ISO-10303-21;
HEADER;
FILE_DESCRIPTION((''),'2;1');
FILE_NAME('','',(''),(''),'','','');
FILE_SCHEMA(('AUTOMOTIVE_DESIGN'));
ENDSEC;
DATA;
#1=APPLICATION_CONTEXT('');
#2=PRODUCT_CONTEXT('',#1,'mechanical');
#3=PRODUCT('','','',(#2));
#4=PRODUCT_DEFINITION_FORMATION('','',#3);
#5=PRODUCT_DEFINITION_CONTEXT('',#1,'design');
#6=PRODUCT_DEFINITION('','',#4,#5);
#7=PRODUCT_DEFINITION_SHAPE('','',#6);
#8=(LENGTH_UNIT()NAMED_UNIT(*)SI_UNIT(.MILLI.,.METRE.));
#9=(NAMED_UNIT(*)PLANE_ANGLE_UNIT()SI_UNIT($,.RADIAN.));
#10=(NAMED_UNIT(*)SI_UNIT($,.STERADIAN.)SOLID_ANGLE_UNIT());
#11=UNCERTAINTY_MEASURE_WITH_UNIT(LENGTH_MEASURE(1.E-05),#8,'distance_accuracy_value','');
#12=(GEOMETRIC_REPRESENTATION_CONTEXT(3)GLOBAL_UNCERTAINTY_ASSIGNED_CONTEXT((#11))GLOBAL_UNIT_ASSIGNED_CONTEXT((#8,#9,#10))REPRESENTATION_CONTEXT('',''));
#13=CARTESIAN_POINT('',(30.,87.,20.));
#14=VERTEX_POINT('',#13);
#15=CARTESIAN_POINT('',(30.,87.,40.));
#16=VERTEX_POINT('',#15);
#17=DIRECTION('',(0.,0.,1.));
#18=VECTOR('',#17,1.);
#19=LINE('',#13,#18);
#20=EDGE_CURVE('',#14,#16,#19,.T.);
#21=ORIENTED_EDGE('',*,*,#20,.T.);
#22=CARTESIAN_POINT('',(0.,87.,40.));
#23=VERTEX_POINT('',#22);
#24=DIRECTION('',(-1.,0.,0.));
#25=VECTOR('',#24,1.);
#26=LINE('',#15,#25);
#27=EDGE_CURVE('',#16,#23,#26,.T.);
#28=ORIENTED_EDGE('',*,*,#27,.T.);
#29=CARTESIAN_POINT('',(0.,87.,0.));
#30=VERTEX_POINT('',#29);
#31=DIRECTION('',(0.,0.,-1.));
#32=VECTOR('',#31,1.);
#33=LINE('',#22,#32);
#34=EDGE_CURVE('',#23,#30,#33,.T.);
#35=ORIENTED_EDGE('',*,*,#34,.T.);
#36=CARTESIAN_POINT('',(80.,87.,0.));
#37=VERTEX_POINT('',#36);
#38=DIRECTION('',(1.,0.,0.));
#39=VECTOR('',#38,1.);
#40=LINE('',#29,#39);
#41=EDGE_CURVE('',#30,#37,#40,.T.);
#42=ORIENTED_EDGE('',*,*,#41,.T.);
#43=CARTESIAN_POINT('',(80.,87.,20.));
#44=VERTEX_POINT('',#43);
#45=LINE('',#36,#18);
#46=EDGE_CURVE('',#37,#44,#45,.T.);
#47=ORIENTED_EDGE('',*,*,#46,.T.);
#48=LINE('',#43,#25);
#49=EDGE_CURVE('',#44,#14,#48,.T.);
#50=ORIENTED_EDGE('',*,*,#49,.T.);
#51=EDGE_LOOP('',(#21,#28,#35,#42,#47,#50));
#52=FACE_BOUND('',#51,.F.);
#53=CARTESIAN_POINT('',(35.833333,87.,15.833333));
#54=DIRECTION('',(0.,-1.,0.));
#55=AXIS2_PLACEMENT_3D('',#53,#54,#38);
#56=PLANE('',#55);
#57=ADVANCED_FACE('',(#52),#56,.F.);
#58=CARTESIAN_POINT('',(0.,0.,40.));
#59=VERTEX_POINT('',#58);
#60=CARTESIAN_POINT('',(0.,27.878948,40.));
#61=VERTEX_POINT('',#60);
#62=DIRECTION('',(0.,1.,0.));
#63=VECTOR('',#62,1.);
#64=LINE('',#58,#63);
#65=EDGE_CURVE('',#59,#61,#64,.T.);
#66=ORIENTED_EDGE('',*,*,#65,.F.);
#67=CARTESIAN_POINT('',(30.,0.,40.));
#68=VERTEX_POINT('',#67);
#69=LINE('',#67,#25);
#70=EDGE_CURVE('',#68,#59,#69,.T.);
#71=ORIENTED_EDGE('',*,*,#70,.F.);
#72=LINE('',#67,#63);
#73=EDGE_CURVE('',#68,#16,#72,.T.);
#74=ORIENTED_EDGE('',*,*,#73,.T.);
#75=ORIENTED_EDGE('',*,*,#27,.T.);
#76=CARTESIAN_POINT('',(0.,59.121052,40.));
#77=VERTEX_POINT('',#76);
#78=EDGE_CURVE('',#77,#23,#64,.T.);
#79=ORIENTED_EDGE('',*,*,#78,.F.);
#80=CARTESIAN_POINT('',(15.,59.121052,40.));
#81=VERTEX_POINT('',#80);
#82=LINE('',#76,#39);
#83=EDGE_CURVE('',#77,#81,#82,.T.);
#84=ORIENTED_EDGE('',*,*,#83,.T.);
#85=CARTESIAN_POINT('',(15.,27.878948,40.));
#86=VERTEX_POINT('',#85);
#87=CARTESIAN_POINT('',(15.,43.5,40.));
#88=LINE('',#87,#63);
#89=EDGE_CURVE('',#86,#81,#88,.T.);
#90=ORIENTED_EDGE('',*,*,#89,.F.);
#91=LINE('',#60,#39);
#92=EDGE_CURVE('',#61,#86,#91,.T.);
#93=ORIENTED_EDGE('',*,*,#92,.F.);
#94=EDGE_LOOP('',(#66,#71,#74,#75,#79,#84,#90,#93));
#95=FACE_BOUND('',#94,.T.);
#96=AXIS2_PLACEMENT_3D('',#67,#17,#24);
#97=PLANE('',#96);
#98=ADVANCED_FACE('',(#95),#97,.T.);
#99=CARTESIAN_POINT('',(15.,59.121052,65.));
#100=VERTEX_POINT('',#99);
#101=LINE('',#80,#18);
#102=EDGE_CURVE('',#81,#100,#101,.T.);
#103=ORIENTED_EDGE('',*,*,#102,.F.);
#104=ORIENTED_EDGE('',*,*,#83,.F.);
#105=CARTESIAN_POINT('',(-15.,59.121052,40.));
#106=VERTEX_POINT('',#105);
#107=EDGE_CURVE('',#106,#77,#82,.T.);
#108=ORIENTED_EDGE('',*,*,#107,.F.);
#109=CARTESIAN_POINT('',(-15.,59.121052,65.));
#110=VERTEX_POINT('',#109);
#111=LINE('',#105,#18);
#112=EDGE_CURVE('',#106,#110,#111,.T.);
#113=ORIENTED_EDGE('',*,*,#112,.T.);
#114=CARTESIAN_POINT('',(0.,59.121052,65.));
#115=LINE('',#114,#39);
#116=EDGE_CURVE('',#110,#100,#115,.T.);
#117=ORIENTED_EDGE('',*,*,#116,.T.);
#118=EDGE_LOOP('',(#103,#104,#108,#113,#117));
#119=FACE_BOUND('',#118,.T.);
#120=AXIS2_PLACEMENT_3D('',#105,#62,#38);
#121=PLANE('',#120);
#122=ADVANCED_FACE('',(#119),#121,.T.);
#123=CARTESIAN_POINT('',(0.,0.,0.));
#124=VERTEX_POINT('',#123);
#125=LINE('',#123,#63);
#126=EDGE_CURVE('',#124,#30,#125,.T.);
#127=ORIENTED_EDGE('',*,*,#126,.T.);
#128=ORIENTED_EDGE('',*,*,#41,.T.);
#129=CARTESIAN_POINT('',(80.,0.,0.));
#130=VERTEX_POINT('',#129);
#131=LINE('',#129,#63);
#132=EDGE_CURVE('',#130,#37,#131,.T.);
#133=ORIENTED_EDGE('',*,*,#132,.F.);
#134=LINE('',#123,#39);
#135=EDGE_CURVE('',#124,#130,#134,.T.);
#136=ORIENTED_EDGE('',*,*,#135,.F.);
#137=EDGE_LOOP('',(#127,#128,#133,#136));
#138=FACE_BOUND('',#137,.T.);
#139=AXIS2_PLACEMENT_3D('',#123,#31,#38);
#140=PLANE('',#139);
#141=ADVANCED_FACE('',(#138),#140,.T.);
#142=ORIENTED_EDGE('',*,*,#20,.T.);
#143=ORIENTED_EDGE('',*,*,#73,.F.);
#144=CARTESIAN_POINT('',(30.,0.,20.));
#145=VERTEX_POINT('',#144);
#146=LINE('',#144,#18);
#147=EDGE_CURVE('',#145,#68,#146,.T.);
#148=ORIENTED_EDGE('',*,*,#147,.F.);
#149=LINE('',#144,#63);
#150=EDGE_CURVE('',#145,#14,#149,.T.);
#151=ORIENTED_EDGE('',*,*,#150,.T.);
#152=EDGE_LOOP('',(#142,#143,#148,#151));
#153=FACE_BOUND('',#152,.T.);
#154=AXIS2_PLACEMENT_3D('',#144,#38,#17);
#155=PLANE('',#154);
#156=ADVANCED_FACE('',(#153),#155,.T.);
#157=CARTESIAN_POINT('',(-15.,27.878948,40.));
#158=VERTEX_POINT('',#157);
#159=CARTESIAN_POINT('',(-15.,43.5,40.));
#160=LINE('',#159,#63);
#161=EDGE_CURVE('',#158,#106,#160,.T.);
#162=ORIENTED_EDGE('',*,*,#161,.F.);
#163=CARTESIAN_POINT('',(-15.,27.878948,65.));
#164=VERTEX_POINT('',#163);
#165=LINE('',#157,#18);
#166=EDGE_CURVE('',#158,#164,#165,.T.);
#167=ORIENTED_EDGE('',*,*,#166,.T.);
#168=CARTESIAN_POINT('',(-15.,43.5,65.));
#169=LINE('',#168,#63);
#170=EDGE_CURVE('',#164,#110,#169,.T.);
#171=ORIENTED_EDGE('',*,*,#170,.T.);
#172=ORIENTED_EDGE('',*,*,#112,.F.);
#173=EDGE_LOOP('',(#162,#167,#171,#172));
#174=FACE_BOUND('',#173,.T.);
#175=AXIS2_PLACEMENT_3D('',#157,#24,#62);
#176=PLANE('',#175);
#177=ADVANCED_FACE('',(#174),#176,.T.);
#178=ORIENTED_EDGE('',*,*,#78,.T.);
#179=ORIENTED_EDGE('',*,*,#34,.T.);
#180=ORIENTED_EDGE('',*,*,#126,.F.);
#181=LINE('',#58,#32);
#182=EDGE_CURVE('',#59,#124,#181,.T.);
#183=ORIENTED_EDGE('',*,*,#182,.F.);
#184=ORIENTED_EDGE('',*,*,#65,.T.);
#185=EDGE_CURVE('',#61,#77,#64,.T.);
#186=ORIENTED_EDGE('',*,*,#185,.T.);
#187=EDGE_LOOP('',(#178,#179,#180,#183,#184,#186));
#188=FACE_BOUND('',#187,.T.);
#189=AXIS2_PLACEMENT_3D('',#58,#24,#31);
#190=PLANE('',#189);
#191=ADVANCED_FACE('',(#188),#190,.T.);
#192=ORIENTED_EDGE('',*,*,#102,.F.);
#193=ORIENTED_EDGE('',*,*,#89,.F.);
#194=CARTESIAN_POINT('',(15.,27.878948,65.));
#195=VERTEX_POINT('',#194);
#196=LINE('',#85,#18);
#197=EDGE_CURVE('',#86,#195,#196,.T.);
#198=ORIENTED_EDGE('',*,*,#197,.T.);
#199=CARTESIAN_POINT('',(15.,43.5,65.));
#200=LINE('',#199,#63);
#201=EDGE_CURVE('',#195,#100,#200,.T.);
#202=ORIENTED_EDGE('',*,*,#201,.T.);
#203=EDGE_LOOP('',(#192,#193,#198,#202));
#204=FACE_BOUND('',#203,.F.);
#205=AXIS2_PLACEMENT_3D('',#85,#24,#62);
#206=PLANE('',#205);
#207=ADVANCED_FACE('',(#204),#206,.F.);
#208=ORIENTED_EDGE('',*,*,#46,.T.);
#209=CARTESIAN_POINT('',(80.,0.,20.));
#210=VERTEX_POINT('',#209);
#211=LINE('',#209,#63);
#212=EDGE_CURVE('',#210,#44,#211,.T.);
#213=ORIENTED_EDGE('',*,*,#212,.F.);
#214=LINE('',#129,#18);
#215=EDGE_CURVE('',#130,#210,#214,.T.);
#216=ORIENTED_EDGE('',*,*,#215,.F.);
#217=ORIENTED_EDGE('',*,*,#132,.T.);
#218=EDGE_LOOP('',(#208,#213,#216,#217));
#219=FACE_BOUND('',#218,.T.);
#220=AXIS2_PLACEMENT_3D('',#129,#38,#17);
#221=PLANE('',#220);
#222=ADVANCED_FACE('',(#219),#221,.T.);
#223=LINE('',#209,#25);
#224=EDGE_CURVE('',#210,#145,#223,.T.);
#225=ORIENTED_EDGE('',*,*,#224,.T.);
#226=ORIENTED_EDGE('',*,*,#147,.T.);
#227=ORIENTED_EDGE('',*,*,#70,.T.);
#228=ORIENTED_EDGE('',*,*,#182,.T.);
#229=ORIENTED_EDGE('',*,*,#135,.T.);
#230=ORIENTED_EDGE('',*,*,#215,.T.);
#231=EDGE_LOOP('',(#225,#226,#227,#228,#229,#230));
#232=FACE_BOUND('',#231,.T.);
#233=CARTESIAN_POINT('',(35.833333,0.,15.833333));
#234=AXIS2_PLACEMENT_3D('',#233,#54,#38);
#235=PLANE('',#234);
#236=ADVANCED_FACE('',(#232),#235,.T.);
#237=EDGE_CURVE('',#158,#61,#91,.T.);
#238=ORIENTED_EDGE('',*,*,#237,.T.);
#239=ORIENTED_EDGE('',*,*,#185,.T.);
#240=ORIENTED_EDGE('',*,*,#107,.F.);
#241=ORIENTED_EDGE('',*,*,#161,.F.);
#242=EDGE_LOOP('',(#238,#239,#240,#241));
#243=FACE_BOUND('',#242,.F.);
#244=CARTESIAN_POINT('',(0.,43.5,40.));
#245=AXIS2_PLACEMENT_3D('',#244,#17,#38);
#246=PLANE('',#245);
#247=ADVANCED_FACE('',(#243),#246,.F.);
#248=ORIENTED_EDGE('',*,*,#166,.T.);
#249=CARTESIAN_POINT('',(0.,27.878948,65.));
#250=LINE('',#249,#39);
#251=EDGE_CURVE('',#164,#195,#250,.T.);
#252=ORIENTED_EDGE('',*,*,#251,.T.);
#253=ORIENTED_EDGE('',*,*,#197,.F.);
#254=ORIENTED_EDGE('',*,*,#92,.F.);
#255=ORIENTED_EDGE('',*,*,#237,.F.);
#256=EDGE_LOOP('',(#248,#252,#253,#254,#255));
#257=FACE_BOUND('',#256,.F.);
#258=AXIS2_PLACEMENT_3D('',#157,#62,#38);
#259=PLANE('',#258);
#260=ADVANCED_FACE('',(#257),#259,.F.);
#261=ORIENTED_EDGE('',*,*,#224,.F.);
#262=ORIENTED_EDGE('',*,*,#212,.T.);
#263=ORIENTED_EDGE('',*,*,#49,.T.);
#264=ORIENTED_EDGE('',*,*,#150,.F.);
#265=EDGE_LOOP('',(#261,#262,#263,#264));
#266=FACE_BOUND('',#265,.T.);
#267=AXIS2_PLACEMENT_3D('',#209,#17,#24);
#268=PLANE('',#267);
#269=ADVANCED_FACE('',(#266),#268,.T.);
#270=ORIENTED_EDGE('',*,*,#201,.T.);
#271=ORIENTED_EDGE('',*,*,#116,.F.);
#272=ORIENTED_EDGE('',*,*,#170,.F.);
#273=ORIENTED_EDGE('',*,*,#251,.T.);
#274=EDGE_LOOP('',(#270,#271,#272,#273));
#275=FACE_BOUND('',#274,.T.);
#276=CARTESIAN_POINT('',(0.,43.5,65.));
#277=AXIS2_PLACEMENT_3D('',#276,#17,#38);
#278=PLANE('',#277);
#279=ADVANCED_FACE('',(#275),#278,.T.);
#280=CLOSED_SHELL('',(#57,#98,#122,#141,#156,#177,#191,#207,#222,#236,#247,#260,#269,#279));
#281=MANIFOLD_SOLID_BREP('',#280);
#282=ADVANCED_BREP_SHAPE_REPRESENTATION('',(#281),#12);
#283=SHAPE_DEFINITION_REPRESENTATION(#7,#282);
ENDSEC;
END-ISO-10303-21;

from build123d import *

# Parameters (mm, degrees)
F1_DEPTH = 87
F3_W     = 30
F3_H     = 31.242104
F4_DEPTH = 25


with BuildPart() as f1:
    # F0 (on Front) → F1 (new body)
    with BuildSketch(Plane.XZ):
        Polygon((30, 40), (0, 40), (0, 0), (80, 0), (80, 20), (30, 20), align=None)
    extrude(amount=-F1_DEPTH)

    # F3 (on face) → F4 (join)
    with BuildSketch(Plane.XY.offset(40)):
        with Locations((0, 43.5)):
            Rectangle(F3_W, F3_H)
    extrude(amount=F4_DEPTH)


solid = f1.part
